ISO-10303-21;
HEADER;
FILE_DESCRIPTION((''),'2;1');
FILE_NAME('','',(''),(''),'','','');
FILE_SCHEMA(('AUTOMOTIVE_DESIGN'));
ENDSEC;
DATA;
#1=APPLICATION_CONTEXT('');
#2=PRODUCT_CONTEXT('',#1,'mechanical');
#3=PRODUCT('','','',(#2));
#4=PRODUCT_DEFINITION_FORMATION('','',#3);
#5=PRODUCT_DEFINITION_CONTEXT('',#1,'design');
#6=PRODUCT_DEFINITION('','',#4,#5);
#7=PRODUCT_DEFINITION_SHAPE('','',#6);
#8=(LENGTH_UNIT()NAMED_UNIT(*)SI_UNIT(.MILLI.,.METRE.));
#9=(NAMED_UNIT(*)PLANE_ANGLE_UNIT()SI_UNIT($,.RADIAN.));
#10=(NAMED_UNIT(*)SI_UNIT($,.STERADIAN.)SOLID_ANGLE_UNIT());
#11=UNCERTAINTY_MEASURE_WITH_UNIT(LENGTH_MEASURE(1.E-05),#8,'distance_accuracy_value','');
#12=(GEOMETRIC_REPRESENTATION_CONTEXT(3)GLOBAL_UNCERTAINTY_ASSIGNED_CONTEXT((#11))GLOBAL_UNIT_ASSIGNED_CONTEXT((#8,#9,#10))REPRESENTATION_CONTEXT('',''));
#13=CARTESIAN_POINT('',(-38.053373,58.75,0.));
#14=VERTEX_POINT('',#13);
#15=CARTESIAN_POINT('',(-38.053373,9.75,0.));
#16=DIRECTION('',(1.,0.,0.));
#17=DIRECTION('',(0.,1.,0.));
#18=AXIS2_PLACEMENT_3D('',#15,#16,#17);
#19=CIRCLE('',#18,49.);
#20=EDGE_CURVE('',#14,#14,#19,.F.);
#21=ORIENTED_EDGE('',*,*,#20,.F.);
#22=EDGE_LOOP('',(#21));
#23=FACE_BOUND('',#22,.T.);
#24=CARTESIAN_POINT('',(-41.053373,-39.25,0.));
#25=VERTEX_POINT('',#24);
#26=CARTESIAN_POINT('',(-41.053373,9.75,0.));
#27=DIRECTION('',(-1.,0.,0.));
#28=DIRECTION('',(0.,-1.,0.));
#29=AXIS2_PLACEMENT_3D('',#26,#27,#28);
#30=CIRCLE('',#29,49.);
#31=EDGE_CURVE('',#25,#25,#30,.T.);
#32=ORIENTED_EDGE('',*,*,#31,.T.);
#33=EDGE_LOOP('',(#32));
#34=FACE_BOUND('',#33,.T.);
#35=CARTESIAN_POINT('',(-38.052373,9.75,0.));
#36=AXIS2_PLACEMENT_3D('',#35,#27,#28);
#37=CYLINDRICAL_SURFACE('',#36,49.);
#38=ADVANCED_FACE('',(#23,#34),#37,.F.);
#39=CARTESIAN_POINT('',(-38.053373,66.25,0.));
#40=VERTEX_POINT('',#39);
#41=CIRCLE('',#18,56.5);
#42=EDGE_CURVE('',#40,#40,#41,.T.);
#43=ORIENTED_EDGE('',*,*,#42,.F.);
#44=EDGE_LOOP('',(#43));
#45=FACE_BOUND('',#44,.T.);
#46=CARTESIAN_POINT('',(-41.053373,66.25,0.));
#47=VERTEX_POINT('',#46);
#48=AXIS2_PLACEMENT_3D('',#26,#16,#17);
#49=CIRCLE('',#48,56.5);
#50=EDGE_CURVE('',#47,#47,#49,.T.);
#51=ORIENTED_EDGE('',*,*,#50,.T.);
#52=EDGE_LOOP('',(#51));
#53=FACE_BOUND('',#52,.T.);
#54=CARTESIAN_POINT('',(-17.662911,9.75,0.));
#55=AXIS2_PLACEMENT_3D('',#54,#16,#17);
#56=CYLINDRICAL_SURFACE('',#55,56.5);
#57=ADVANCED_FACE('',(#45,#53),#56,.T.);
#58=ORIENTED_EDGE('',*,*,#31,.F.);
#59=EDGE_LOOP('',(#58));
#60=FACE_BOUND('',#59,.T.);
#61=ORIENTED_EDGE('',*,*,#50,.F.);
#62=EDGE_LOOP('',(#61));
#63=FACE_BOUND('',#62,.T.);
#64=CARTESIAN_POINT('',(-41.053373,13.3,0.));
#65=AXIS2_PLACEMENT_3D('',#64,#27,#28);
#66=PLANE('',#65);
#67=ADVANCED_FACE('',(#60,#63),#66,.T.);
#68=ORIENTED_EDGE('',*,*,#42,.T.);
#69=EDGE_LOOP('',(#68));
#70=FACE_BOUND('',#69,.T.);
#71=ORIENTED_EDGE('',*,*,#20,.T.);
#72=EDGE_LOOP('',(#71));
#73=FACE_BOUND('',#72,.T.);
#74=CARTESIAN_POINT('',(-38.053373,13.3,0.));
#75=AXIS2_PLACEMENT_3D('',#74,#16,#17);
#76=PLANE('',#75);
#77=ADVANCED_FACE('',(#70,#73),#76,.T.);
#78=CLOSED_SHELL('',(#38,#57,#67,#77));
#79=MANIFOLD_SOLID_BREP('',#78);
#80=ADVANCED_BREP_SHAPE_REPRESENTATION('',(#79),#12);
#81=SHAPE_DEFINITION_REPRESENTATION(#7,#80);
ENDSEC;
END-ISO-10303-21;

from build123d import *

# Parameters (mm, degrees)
SKIZZE1_W                        = 3
SKIZZE1_H                        = 52.95
F_4_7_4_7_DURCHMESSER_BOHRUNG1_D = 4.7
SKIZZE5_RX                       = 25
SKIZZE5_RY                       = 10
SCHNITT_LINEAR_AUSTRAGEN1_DEPTH  = 3
KREISMUSTER1_COUNT               = 4
CUT_EXTRUDE1_REACH               = 5
SKETCH1_R                        = 49


with BuildPart() as part:
    # Skizze1 → Rotation1 (revolve)
    with BuildSketch(Plane.XY):
        with Locations((-39.553372853, 39.775)):
            Rectangle(SKIZZE1_W, SKIZZE1_H)
    revolve(axis=Axis((-17.6629112, 9.75, 0), (-1, 0, 0)))

    # Ø4.7 (4.7) Durchmesser Bohrung1 (through all)
    with Locations(Plane(origin=(-41.053372853, 11.968723204, 19.868936148), x_dir=(0, 0, 1), z_dir=(-1, 0, 0))):
        with Locations((-13.504975118, -8.582684234), (-26.232897179, -8.582684234), (-26.232897179, 4.145237827), (-13.504975118, 4.145237827)):
            Hole(F_4_7_4_7_DURCHMESSER_BOHRUNG1_D / 2)

    # Skizze5 → Schnitt-Linear austragen1 (cut)
    with BuildSketch(Plane(origin=(-38.053372853, 0, 0), x_dir=(0, 0, -1), z_dir=(1, 0, 0))):
        with Locations(Location((-23.027329597, 32.684515508), (0, 0, 45.090609512))):
            Ellipse(SKIZZE5_RX, SKIZZE5_RY)
    schnitt_linear_austragen1 = extrude(amount=-SCHNITT_LINEAR_AUSTRAGEN1_DEPTH, mode=Mode.SUBTRACT)

    # Kreismuster1: Schnitt-Linear austragen1 ×4 about axis
    kreismuster1_axis = Axis((0, 9.75, 0), (-1, 0, 0))
    for i in range(1, KREISMUSTER1_COUNT):
        add(schnitt_linear_austragen1.rotate(kreismuster1_axis, i * 360 / KREISMUSTER1_COUNT), mode=Mode.SUBTRACT)

    # Sketch1 → Cut-Extrude1 (cut, up to next)
    with BuildSketch(Plane.ZY.offset(41.053372853), mode=Mode.PRIVATE) as cut_extrude1_sk1:
        with Locations((0, 9.75)):
            Circle(SKETCH1_R)
    cut_extrude1_tool1 = extrude(cut_extrude1_sk1.sketch, amount=-CUT_EXTRUDE1_REACH, mode=Mode.PRIVATE) & part.part
    add(cut_extrude1_tool1.solids().sort_by_distance((-41.053373, 9.75, 0))[0], mode=Mode.SUBTRACT)


solid = part.part
